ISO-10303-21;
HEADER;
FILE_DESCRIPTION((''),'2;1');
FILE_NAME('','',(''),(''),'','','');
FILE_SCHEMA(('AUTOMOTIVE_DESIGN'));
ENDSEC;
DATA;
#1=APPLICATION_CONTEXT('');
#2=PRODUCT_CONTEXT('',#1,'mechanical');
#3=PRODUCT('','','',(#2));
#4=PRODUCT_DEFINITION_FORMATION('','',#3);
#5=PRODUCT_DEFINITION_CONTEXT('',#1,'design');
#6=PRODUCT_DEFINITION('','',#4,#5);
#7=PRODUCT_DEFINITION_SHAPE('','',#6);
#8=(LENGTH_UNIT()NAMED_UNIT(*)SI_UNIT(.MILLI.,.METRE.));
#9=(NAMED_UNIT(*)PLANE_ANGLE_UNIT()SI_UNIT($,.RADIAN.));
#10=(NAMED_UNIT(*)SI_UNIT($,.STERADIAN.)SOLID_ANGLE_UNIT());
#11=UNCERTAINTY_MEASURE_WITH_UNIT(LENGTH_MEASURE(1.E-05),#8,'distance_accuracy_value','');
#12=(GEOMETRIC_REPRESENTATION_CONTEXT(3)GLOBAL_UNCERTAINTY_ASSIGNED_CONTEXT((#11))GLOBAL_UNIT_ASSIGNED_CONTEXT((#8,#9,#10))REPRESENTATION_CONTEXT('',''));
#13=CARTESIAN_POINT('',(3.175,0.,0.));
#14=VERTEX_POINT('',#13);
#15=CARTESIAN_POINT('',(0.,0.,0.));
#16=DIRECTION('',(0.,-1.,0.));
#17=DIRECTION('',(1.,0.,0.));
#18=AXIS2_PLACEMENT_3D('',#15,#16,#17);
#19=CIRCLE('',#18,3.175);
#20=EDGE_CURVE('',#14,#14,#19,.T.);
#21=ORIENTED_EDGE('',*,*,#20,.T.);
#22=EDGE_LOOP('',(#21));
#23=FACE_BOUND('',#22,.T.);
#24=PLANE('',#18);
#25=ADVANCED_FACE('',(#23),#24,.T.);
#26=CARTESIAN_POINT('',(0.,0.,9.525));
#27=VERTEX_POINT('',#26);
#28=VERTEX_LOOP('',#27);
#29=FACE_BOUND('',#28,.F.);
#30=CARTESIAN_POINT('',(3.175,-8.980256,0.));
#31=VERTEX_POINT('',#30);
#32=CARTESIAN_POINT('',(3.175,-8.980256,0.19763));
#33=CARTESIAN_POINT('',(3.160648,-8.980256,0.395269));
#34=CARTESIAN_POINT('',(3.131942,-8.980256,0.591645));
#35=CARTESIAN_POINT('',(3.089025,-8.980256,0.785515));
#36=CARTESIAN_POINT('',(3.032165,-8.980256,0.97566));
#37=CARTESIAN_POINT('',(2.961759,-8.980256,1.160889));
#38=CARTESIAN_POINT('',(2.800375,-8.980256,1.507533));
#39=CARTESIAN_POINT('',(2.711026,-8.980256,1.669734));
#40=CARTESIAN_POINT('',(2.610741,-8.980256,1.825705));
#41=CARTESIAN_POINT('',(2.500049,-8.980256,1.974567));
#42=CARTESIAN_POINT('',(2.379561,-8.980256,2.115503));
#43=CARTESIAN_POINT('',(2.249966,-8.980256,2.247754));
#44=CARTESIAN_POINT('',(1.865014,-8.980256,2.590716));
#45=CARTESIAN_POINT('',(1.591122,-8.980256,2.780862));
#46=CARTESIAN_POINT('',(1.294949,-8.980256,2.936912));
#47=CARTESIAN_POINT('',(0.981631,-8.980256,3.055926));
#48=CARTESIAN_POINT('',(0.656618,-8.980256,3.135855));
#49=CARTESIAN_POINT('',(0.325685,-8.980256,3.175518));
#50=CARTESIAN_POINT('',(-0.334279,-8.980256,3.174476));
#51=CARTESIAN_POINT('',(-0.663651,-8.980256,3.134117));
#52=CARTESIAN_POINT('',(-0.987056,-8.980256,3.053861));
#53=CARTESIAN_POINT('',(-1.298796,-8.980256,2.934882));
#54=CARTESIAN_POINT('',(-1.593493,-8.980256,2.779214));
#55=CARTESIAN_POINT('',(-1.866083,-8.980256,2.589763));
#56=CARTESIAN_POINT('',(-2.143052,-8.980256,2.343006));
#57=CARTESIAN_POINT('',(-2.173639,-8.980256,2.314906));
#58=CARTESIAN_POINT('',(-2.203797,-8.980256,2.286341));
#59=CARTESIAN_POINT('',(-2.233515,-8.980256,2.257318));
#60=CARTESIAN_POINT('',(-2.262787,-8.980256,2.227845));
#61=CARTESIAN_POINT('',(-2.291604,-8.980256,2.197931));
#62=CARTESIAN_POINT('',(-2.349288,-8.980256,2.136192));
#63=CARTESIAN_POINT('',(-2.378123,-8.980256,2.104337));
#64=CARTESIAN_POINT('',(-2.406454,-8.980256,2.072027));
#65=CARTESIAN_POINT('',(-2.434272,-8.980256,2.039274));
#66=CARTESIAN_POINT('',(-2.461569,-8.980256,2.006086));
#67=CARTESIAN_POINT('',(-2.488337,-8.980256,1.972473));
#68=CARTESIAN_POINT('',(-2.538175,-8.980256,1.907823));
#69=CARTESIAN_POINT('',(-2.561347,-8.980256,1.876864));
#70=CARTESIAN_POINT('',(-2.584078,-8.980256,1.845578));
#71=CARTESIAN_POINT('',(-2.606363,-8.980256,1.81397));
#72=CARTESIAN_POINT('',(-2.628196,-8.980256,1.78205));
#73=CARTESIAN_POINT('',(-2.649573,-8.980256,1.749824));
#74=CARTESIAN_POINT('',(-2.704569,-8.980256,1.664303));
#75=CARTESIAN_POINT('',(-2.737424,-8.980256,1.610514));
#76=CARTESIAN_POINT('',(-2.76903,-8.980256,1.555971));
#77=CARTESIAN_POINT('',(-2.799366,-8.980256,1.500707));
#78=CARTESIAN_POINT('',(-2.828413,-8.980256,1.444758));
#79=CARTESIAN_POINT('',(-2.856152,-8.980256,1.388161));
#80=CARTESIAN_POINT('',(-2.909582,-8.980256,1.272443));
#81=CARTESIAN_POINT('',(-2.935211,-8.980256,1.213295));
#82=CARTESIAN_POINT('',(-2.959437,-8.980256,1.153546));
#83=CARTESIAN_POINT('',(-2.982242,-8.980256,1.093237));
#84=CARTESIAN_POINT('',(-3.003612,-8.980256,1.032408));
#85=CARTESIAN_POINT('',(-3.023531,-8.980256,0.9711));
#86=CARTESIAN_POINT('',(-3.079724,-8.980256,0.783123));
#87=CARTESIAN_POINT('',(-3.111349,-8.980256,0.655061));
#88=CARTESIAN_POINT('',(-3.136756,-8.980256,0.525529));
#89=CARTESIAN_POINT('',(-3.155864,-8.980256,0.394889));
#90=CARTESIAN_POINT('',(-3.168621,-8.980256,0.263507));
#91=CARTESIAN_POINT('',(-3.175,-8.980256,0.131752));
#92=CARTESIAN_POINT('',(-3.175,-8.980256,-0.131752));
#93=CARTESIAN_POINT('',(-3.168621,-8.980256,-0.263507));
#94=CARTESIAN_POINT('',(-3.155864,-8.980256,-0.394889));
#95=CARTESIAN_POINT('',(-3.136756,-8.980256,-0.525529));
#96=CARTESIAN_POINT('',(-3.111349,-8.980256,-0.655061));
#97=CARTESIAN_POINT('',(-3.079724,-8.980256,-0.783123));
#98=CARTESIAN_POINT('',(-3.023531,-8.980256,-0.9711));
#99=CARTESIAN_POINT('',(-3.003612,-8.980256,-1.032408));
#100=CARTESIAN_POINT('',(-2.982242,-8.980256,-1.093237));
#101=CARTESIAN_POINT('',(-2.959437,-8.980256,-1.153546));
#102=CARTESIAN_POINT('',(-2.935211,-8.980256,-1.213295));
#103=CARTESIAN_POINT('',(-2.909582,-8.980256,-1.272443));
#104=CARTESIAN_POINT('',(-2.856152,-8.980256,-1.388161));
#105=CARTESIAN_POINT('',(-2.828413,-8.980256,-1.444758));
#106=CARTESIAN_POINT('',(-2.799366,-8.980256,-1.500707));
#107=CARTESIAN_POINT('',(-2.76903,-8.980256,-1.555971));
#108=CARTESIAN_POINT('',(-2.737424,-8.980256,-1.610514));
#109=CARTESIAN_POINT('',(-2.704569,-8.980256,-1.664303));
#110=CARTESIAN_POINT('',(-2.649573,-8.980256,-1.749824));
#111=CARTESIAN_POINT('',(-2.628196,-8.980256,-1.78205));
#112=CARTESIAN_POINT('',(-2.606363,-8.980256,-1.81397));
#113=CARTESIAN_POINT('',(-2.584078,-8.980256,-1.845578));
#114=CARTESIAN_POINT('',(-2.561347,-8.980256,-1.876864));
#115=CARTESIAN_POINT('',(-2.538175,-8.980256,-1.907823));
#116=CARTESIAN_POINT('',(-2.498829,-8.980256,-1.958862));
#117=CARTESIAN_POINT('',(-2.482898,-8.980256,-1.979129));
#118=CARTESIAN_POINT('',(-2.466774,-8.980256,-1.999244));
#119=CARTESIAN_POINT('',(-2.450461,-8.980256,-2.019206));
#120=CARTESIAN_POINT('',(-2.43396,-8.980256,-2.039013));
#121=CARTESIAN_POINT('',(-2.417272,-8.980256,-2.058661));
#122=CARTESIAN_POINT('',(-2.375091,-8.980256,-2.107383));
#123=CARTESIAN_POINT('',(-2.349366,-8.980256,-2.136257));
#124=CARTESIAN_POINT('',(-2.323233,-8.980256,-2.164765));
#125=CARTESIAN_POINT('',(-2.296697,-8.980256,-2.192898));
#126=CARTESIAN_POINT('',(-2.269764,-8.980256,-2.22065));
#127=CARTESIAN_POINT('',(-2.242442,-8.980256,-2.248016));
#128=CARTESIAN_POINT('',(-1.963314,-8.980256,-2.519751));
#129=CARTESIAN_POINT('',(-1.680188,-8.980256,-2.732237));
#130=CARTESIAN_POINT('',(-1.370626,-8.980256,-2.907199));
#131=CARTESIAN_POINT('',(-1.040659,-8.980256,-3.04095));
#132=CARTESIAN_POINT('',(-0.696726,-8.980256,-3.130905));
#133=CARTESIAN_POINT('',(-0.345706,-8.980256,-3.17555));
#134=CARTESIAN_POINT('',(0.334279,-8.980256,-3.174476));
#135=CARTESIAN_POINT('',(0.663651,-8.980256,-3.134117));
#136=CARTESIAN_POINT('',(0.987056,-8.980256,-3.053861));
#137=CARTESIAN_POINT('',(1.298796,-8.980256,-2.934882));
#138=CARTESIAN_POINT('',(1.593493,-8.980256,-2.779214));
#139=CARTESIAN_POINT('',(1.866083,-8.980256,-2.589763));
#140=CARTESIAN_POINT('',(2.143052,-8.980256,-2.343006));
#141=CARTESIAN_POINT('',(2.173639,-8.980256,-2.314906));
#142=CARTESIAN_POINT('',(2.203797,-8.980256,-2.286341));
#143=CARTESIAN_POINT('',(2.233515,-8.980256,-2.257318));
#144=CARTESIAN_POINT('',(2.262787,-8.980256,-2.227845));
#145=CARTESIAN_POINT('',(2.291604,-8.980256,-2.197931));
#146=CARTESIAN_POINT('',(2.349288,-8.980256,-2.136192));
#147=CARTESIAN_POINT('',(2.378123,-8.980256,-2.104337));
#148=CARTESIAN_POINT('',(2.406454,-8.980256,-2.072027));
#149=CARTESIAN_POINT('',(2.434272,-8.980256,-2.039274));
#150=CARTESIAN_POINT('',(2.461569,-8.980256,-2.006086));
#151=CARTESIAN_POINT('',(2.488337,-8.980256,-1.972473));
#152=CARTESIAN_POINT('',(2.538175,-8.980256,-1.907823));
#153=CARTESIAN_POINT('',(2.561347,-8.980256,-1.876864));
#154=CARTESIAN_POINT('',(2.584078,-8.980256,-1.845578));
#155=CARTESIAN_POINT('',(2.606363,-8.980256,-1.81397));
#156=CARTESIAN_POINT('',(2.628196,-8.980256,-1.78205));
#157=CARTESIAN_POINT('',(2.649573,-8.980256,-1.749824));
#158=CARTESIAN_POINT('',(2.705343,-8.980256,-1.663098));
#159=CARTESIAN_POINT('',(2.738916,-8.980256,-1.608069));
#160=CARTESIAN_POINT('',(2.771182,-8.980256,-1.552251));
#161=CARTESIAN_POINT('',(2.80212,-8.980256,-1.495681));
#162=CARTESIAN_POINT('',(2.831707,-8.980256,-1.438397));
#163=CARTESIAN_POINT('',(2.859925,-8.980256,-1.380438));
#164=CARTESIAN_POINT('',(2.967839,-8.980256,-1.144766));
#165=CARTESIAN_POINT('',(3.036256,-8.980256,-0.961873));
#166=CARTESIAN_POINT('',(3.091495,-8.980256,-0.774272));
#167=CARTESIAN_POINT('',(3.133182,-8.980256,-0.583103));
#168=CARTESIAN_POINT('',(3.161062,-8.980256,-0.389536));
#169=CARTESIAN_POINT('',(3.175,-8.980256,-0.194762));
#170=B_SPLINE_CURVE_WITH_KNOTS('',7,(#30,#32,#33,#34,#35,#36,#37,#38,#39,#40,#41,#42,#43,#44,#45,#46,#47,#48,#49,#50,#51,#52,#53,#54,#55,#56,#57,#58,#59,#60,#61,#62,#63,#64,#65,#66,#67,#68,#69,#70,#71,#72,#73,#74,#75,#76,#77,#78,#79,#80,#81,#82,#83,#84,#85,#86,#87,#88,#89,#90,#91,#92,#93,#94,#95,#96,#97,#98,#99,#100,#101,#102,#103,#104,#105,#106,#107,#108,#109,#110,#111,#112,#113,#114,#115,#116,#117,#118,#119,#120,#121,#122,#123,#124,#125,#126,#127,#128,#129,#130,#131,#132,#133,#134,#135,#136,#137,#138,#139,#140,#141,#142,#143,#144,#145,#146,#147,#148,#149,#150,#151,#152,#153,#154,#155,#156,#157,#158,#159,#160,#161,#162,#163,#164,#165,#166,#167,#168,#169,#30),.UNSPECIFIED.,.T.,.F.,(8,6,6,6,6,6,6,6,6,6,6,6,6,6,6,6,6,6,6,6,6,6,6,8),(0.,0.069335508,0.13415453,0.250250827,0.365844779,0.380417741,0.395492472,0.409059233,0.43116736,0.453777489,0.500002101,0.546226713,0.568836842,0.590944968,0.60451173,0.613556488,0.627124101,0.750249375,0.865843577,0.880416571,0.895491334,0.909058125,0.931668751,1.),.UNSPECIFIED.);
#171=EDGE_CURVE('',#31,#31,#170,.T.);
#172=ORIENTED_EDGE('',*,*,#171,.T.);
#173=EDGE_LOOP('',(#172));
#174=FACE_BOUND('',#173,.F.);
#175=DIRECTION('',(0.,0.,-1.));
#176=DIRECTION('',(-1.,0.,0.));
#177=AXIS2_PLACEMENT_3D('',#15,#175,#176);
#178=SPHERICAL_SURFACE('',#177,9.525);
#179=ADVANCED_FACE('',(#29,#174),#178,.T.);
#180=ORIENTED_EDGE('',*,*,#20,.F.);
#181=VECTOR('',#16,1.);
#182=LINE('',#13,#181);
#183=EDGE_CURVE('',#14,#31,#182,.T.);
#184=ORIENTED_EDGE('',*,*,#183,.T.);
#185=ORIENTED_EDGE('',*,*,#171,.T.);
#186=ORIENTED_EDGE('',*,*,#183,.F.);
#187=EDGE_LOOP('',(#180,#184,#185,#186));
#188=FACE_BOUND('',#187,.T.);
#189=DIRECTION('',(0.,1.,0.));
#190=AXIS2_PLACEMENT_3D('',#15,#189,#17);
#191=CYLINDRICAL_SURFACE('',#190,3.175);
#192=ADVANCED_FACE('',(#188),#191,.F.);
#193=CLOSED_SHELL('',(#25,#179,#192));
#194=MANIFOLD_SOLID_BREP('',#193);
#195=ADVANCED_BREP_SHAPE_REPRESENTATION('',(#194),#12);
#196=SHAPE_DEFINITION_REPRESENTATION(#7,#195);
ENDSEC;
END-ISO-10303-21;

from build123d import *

# Parameters (mm, degrees)
F3_R     = 3.175
F4_DEPTH = 25.4


with BuildPart() as f2:
    # F0 (on Front) → F2 (revolve)
    with BuildSketch(Plane.XZ):
        with BuildLine():
            Line((0, -9.525), (0, 9.525))
            ThreePointArc((0, 9.525), (-9.525, 0), (0, -9.525))
        make_face()
    revolve(axis=Axis((0, 0, 0), (0, 0, 1)))


with BuildPart() as f4:
    # F3 (on Front) → F4 (new body)
    with BuildSketch(Plane.XZ):
        Circle(F3_R)
    extrude(amount=F4_DEPTH)


with BuildPart() as f2_1:
    add(f2.part)

    # F5: cut F4
    add(f4.part, mode=Mode.SUBTRACT)


solid = f2_1.part
